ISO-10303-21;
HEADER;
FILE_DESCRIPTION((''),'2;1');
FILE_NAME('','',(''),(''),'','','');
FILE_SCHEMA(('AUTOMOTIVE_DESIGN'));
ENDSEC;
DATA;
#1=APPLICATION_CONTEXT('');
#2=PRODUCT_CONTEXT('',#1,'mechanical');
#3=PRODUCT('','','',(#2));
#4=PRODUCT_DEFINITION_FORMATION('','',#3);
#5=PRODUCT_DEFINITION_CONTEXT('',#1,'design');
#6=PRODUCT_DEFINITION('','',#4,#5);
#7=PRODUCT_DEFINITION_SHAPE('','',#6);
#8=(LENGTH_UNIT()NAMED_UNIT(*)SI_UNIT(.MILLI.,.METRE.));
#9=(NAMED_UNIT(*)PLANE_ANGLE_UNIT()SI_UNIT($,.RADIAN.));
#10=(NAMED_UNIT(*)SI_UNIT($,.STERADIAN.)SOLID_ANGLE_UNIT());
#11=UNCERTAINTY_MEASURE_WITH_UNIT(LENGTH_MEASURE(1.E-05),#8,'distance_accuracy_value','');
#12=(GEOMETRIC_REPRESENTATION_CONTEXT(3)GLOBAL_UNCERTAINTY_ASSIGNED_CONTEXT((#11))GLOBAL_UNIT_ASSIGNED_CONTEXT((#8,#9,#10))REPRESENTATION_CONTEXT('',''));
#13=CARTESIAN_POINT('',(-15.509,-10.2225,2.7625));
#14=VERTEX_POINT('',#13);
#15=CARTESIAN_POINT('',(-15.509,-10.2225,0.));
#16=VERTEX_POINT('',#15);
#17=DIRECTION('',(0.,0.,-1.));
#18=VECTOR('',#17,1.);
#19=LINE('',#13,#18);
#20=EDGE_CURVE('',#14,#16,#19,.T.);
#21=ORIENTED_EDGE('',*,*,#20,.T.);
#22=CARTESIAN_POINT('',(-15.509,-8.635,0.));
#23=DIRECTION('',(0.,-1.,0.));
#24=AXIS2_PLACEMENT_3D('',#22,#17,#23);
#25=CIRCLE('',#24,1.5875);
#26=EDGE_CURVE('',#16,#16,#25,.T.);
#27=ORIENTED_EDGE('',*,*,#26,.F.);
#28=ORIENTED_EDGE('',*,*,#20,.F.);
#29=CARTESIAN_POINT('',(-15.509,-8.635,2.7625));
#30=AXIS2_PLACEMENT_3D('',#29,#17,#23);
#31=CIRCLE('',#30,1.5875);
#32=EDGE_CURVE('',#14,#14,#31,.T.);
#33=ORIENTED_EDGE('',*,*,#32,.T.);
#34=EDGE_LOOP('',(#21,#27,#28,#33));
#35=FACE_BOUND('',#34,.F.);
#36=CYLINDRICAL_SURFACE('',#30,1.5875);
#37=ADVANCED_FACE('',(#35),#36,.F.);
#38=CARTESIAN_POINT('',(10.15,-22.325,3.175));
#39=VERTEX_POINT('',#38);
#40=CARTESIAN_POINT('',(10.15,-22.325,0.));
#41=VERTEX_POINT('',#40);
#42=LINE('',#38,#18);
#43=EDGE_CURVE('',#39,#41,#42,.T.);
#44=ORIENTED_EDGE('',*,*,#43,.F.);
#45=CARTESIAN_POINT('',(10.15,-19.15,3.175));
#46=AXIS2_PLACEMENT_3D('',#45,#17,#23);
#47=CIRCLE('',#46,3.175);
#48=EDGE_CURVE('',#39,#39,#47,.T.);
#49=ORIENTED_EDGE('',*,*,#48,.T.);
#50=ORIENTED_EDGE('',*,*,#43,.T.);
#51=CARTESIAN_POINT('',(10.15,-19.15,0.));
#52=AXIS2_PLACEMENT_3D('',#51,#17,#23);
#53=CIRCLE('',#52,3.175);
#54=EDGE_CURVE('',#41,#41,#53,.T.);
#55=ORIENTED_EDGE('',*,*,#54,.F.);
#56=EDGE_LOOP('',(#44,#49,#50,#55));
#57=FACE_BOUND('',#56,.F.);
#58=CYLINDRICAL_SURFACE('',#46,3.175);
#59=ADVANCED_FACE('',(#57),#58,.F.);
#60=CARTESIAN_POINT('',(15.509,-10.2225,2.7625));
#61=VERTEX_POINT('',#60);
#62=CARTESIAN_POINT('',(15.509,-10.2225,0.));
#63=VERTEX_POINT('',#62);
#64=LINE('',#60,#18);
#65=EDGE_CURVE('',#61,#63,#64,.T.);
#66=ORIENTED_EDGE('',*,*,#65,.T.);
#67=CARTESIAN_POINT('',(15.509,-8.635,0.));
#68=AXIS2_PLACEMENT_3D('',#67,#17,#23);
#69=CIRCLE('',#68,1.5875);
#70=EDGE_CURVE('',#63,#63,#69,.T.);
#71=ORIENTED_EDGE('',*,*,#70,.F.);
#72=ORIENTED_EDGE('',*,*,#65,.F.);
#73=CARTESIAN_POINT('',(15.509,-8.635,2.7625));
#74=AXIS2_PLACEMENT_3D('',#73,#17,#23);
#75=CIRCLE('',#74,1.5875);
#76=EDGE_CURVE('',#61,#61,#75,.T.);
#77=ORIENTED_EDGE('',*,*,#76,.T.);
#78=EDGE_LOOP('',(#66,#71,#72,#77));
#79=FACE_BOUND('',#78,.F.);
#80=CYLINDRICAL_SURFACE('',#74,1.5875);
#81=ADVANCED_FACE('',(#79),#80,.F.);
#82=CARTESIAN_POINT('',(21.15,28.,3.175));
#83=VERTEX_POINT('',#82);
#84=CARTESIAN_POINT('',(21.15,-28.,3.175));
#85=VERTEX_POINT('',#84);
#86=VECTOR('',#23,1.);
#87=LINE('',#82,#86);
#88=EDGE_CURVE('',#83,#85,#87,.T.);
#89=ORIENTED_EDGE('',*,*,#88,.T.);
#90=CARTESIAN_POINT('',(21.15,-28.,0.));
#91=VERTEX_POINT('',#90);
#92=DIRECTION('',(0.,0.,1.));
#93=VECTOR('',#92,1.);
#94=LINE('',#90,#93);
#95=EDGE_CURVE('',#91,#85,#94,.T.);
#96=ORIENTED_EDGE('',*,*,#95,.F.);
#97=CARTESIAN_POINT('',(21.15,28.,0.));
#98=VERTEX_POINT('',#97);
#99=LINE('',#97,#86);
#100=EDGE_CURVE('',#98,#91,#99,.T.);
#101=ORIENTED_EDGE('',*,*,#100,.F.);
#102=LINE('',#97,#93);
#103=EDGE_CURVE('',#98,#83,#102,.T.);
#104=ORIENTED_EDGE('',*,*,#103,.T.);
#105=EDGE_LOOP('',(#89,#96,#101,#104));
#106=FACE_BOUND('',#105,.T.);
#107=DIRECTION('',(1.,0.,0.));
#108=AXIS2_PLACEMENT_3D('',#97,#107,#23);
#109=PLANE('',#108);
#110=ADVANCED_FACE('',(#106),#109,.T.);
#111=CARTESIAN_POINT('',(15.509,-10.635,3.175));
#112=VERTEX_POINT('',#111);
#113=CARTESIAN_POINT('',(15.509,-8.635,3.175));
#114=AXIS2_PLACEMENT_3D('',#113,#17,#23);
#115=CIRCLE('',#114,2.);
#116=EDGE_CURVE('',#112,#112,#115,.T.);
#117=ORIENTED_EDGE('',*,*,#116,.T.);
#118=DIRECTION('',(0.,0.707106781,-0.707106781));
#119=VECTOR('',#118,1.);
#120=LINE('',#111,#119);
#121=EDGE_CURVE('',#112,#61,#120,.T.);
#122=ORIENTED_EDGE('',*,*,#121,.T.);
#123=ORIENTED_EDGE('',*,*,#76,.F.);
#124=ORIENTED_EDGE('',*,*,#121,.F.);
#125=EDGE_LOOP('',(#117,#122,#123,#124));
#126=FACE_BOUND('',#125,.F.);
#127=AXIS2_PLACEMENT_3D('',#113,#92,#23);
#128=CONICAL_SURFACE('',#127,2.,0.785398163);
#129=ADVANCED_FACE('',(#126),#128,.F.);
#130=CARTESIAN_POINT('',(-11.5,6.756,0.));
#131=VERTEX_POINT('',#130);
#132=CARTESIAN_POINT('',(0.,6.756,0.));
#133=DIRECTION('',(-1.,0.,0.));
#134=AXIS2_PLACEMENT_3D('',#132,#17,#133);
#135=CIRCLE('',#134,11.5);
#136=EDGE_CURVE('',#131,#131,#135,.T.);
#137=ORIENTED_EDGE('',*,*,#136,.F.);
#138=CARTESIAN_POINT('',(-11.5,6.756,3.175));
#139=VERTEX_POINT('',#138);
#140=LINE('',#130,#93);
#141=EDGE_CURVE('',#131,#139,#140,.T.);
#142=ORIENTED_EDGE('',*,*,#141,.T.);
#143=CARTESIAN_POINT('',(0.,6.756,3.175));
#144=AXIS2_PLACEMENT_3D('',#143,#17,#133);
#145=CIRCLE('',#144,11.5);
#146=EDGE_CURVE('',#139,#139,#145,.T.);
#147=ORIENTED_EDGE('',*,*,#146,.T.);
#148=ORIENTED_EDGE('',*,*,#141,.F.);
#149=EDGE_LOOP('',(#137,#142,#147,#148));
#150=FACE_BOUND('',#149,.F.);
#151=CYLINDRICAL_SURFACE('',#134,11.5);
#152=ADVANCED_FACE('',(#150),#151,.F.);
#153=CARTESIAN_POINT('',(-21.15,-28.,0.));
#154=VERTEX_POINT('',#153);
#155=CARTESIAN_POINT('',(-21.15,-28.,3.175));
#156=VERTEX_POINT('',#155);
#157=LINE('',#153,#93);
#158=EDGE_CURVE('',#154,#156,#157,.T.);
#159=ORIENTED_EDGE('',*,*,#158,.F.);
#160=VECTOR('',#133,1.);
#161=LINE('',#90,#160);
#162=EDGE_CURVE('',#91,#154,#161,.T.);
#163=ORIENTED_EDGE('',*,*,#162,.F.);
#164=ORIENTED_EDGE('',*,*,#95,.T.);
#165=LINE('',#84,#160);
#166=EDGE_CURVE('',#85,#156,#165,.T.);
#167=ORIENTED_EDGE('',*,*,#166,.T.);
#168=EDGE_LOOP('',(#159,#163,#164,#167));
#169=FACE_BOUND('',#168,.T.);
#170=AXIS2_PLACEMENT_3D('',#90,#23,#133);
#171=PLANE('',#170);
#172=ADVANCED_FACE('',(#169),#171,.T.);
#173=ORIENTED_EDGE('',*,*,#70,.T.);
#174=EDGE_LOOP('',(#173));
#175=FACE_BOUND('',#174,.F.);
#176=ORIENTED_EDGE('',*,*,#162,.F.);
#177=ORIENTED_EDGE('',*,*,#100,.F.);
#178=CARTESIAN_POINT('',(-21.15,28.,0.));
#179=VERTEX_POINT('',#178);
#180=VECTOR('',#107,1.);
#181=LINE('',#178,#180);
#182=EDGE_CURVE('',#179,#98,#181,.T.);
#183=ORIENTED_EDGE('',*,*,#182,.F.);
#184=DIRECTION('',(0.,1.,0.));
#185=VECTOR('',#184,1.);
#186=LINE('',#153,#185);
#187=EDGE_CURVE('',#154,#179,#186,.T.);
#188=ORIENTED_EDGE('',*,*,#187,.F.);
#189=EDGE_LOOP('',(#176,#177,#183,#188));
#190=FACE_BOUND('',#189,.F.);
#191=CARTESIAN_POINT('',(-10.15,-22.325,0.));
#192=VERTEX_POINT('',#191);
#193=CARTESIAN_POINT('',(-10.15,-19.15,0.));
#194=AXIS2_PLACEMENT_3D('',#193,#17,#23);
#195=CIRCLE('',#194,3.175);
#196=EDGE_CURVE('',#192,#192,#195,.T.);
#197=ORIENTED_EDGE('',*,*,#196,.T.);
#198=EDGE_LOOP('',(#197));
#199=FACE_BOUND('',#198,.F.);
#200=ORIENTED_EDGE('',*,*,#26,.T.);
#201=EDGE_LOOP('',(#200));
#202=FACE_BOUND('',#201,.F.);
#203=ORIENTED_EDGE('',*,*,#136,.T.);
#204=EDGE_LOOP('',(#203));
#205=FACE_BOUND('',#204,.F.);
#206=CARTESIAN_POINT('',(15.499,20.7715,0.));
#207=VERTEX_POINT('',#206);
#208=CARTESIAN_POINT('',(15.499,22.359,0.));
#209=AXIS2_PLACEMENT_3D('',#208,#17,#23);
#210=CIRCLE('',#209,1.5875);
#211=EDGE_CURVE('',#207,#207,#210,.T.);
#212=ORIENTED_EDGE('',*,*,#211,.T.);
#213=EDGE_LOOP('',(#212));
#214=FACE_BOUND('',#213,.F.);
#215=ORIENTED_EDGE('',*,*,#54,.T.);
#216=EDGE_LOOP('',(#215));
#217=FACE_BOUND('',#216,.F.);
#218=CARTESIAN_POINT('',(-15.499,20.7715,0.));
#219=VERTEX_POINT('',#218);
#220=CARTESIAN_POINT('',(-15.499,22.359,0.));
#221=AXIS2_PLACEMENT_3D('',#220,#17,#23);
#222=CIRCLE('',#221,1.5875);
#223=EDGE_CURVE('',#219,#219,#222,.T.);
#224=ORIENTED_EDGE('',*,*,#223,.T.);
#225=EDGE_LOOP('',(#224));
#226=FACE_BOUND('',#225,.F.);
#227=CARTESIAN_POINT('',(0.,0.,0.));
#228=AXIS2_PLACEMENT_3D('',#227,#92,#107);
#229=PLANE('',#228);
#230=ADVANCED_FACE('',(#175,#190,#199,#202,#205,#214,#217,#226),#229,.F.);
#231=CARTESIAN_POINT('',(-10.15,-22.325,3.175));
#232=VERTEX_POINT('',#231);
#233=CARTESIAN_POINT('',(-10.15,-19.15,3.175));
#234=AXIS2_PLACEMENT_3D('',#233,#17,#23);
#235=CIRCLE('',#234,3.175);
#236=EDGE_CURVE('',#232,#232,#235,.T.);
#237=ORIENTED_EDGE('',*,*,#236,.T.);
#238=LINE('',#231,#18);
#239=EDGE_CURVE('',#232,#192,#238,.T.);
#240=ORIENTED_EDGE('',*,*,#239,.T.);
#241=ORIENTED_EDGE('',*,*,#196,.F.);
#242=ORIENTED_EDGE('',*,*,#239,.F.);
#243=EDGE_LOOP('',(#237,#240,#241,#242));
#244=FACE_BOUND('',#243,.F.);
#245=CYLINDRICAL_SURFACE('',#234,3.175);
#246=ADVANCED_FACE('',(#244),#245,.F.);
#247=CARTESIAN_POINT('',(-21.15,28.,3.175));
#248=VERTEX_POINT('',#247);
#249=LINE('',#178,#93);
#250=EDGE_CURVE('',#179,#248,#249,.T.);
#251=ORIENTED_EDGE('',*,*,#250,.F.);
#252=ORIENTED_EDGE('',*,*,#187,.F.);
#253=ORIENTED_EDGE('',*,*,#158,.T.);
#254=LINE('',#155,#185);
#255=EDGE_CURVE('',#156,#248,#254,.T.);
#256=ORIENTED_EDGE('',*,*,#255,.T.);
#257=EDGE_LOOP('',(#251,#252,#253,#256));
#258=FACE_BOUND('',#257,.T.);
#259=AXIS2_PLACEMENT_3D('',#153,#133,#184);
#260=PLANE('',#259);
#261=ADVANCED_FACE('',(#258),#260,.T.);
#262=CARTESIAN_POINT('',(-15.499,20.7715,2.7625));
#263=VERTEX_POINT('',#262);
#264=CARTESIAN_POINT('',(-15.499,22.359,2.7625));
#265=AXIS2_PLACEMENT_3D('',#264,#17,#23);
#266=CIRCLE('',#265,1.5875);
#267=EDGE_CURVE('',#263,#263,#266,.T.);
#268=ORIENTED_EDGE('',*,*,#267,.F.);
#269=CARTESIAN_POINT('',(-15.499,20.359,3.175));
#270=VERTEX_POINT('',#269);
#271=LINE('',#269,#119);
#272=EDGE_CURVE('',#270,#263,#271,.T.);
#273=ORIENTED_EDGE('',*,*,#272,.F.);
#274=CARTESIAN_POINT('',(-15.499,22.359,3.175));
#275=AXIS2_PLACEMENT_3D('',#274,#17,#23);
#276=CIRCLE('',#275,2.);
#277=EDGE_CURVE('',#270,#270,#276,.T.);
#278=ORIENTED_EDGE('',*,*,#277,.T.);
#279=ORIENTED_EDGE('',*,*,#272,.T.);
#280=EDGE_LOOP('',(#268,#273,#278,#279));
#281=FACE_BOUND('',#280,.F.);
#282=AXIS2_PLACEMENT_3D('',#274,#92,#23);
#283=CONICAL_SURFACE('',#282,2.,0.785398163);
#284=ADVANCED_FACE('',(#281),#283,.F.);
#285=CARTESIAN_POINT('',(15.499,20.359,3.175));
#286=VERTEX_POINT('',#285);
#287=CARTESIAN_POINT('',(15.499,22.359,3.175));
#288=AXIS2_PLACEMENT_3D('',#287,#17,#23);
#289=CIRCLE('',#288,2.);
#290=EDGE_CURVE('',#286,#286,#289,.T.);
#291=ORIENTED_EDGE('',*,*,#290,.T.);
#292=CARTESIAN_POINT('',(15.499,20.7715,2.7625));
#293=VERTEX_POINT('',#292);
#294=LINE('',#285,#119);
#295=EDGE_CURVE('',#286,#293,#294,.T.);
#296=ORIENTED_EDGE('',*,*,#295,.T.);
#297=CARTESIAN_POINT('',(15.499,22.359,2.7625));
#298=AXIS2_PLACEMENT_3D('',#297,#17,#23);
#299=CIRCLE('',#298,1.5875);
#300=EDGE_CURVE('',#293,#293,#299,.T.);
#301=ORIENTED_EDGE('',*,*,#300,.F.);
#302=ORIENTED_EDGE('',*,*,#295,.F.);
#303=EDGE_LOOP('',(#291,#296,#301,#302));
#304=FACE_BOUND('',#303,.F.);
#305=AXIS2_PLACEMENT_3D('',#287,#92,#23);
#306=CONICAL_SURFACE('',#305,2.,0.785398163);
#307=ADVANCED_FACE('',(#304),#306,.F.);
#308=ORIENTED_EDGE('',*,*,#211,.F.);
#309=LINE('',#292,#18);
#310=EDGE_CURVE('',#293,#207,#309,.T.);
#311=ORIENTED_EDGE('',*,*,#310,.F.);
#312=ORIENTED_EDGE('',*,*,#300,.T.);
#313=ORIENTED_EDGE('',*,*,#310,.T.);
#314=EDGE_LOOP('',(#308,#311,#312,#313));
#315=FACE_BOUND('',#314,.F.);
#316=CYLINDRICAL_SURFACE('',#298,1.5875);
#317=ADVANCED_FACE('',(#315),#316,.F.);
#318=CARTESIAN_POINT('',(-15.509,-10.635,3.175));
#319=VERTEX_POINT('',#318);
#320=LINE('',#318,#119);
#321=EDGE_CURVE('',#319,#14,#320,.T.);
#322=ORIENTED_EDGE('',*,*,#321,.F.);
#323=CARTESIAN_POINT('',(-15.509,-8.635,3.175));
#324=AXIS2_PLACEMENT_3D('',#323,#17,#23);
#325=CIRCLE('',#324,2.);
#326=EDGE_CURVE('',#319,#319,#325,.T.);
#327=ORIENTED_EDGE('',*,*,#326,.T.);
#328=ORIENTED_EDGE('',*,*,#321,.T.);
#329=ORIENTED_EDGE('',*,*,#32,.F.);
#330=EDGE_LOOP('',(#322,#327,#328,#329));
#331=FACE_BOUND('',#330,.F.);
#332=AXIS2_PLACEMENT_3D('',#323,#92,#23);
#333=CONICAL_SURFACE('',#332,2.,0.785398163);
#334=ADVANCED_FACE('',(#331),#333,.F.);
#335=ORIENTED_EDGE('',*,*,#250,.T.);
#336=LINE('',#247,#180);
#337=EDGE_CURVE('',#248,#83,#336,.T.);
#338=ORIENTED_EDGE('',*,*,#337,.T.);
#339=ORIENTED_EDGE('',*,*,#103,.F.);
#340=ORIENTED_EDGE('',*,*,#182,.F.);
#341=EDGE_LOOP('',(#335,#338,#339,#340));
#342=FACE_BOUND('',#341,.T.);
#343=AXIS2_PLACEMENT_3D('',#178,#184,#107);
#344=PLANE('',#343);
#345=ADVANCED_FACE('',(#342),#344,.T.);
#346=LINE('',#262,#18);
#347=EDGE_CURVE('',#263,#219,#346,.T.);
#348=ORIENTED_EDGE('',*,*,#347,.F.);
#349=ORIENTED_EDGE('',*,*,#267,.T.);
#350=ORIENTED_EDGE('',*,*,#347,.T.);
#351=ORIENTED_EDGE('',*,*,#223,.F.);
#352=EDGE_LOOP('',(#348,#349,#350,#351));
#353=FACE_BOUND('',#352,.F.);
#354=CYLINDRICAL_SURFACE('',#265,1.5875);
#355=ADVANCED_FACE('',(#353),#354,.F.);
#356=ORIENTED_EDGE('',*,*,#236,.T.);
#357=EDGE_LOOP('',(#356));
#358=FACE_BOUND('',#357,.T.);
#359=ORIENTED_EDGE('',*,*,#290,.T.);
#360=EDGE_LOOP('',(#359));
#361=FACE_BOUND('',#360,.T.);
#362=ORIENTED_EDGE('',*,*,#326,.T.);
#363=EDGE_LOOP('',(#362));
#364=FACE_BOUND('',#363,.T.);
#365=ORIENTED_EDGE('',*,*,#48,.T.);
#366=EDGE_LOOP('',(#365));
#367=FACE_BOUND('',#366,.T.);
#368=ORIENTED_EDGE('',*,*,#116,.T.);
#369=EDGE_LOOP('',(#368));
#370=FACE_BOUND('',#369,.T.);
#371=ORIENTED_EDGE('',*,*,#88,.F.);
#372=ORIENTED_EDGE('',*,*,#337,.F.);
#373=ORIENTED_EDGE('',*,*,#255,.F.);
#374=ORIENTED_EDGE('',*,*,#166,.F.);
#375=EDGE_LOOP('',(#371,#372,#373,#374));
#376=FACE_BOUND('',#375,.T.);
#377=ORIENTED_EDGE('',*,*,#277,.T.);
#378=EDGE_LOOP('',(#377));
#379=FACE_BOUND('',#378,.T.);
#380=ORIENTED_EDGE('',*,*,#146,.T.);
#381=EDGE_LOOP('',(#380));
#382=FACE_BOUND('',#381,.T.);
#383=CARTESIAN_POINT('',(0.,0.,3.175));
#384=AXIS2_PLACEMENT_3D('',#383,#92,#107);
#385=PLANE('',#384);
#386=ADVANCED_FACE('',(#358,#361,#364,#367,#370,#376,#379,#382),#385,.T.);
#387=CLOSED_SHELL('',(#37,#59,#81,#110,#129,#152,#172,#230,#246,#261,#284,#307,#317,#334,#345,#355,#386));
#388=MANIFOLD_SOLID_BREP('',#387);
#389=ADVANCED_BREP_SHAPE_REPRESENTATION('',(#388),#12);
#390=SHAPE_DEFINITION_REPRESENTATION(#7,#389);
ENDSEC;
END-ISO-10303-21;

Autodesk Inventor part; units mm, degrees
ref_plane "YZ Plane" through (0, 0, 0) normal (1, 0, 0) x (0, 1, 0)
ref_plane "XZ Plane" through (0, 0, 0) normal (0, 1, 0) x (-1, 0, 0)
ref_plane "XY Plane" through (0, 0, 0) normal (0, 0, 1) x (1, 0, 0)
sketch "Sketch1" plane through (0, 0, 0) normal (0, 0, 1) x (1, 0, 0)
  line L0 (-21.15, 28) -> (21.15, 28)
  line L1 (21.15, 28) -> (21.15, -28)
  line L2 (21.15, -28) -> (-21.15, -28)
  line L3 (-21.15, -28) -> (-21.15, 28)
  point P0 (0, 0)
  dimension "d0" = 56
  dimension "d1" = 42.3
  dimension "d2" = 21.15
  dimension "d3" = 28
  dimension "d44" = 21.15
extrude "Extrusion1" add sketch "Sketch1" along normal blind 3.175
sketch "Sketch2" plane through (0, 0, 3.175) normal (0, 0, 1) x (1, 0, 0)
  circle A0 centre (-15.499, 22.359) radius 1.5875
  circle A1 centre (15.499, 22.359) radius 1.5875
  line L0 (21.15, 28) -> (-21.15, 28) projected
  line L1 (-21.15, 28) -> (-21.15, -28) projected
  line L2 (21.15, -28) -> (21.15, 28) projected
  circle A2 centre (-15.509, -8.635) radius 1.5875
  circle A3 centre (15.509, -8.635) radius 1.5875
  point P0 (0, 0)
  dimension "d6" = 3.175
  dimension "d7" = 5.641
  dimension "d8" = 5.641
  dimension "d9" = 5.651
  dimension "d10" = 5.651
  dimension "d11" = 3.175
  dimension "d45" = 3.175
  dimension "d46" = 3.175
  dimension "d47" = 5.641
  dimension "d48" = 5.641
  dimension "d49" = 36.635
  dimension "d50" = 36.635
hole "Hole1" at (-15.499, 22.359, 3.175) at (15.499, 22.359, 3.175) at (-15.509, -8.635, 3.175) at (15.509, -8.635, 3.175) direction (0, 0, -1) diameter 3.175 end through all countersink diameter 4 countersink angle 90
sketch "Sketch3" plane through (0, 0, 3.175) normal (0, 0, 1) x (1, 0, 0)
  circle A0 centre (-10.15, -19.15) radius 3.175
  circle A1 centre (10.15, -19.15) radius 3.175
  line L0 (-21.15, -28) -> (21.15, -28) projected
  line L1 (21.15, -28) -> (21.15, 28) projected
  line L2 (-21.15, 28) -> (-21.15, -28) projected
  line L3 (21.15, 28) -> (-21.15, 28) projected
  point P0 (0, 0)
  dimension "d19" = 6.35
  dimension "d20" = 6.35
  dimension "d22" = 11
  dimension "d23" = 11
  dimension "d25" = 47.15
  dimension "d26" = 47.15
hole "Hole2" at (-10.15, -19.15, 3.175) at (10.15, -19.15, 3.175) direction (0, 0, -1) diameter 6.35 end through all
sketch "Sketch5" plane through (0, 0, 0) normal (0, 0, -1) x (-1, 0, 0)
  circle A0 centre (0, 6.756) radius 11.5
  line L0 (21.15, 28) -> (-21.15, 28) projected
  line L1 (21.15, -28) -> (21.15, 28) projected
  point P0 (0, 0)
  dimension "d39" = 23
  dimension "d40" = 21.244
  dimension "d41" = 21.15
extrude "Extrusion3" cut sketch "Sketch5" against normal through all
properties part number "MOTOR MOUNT"
